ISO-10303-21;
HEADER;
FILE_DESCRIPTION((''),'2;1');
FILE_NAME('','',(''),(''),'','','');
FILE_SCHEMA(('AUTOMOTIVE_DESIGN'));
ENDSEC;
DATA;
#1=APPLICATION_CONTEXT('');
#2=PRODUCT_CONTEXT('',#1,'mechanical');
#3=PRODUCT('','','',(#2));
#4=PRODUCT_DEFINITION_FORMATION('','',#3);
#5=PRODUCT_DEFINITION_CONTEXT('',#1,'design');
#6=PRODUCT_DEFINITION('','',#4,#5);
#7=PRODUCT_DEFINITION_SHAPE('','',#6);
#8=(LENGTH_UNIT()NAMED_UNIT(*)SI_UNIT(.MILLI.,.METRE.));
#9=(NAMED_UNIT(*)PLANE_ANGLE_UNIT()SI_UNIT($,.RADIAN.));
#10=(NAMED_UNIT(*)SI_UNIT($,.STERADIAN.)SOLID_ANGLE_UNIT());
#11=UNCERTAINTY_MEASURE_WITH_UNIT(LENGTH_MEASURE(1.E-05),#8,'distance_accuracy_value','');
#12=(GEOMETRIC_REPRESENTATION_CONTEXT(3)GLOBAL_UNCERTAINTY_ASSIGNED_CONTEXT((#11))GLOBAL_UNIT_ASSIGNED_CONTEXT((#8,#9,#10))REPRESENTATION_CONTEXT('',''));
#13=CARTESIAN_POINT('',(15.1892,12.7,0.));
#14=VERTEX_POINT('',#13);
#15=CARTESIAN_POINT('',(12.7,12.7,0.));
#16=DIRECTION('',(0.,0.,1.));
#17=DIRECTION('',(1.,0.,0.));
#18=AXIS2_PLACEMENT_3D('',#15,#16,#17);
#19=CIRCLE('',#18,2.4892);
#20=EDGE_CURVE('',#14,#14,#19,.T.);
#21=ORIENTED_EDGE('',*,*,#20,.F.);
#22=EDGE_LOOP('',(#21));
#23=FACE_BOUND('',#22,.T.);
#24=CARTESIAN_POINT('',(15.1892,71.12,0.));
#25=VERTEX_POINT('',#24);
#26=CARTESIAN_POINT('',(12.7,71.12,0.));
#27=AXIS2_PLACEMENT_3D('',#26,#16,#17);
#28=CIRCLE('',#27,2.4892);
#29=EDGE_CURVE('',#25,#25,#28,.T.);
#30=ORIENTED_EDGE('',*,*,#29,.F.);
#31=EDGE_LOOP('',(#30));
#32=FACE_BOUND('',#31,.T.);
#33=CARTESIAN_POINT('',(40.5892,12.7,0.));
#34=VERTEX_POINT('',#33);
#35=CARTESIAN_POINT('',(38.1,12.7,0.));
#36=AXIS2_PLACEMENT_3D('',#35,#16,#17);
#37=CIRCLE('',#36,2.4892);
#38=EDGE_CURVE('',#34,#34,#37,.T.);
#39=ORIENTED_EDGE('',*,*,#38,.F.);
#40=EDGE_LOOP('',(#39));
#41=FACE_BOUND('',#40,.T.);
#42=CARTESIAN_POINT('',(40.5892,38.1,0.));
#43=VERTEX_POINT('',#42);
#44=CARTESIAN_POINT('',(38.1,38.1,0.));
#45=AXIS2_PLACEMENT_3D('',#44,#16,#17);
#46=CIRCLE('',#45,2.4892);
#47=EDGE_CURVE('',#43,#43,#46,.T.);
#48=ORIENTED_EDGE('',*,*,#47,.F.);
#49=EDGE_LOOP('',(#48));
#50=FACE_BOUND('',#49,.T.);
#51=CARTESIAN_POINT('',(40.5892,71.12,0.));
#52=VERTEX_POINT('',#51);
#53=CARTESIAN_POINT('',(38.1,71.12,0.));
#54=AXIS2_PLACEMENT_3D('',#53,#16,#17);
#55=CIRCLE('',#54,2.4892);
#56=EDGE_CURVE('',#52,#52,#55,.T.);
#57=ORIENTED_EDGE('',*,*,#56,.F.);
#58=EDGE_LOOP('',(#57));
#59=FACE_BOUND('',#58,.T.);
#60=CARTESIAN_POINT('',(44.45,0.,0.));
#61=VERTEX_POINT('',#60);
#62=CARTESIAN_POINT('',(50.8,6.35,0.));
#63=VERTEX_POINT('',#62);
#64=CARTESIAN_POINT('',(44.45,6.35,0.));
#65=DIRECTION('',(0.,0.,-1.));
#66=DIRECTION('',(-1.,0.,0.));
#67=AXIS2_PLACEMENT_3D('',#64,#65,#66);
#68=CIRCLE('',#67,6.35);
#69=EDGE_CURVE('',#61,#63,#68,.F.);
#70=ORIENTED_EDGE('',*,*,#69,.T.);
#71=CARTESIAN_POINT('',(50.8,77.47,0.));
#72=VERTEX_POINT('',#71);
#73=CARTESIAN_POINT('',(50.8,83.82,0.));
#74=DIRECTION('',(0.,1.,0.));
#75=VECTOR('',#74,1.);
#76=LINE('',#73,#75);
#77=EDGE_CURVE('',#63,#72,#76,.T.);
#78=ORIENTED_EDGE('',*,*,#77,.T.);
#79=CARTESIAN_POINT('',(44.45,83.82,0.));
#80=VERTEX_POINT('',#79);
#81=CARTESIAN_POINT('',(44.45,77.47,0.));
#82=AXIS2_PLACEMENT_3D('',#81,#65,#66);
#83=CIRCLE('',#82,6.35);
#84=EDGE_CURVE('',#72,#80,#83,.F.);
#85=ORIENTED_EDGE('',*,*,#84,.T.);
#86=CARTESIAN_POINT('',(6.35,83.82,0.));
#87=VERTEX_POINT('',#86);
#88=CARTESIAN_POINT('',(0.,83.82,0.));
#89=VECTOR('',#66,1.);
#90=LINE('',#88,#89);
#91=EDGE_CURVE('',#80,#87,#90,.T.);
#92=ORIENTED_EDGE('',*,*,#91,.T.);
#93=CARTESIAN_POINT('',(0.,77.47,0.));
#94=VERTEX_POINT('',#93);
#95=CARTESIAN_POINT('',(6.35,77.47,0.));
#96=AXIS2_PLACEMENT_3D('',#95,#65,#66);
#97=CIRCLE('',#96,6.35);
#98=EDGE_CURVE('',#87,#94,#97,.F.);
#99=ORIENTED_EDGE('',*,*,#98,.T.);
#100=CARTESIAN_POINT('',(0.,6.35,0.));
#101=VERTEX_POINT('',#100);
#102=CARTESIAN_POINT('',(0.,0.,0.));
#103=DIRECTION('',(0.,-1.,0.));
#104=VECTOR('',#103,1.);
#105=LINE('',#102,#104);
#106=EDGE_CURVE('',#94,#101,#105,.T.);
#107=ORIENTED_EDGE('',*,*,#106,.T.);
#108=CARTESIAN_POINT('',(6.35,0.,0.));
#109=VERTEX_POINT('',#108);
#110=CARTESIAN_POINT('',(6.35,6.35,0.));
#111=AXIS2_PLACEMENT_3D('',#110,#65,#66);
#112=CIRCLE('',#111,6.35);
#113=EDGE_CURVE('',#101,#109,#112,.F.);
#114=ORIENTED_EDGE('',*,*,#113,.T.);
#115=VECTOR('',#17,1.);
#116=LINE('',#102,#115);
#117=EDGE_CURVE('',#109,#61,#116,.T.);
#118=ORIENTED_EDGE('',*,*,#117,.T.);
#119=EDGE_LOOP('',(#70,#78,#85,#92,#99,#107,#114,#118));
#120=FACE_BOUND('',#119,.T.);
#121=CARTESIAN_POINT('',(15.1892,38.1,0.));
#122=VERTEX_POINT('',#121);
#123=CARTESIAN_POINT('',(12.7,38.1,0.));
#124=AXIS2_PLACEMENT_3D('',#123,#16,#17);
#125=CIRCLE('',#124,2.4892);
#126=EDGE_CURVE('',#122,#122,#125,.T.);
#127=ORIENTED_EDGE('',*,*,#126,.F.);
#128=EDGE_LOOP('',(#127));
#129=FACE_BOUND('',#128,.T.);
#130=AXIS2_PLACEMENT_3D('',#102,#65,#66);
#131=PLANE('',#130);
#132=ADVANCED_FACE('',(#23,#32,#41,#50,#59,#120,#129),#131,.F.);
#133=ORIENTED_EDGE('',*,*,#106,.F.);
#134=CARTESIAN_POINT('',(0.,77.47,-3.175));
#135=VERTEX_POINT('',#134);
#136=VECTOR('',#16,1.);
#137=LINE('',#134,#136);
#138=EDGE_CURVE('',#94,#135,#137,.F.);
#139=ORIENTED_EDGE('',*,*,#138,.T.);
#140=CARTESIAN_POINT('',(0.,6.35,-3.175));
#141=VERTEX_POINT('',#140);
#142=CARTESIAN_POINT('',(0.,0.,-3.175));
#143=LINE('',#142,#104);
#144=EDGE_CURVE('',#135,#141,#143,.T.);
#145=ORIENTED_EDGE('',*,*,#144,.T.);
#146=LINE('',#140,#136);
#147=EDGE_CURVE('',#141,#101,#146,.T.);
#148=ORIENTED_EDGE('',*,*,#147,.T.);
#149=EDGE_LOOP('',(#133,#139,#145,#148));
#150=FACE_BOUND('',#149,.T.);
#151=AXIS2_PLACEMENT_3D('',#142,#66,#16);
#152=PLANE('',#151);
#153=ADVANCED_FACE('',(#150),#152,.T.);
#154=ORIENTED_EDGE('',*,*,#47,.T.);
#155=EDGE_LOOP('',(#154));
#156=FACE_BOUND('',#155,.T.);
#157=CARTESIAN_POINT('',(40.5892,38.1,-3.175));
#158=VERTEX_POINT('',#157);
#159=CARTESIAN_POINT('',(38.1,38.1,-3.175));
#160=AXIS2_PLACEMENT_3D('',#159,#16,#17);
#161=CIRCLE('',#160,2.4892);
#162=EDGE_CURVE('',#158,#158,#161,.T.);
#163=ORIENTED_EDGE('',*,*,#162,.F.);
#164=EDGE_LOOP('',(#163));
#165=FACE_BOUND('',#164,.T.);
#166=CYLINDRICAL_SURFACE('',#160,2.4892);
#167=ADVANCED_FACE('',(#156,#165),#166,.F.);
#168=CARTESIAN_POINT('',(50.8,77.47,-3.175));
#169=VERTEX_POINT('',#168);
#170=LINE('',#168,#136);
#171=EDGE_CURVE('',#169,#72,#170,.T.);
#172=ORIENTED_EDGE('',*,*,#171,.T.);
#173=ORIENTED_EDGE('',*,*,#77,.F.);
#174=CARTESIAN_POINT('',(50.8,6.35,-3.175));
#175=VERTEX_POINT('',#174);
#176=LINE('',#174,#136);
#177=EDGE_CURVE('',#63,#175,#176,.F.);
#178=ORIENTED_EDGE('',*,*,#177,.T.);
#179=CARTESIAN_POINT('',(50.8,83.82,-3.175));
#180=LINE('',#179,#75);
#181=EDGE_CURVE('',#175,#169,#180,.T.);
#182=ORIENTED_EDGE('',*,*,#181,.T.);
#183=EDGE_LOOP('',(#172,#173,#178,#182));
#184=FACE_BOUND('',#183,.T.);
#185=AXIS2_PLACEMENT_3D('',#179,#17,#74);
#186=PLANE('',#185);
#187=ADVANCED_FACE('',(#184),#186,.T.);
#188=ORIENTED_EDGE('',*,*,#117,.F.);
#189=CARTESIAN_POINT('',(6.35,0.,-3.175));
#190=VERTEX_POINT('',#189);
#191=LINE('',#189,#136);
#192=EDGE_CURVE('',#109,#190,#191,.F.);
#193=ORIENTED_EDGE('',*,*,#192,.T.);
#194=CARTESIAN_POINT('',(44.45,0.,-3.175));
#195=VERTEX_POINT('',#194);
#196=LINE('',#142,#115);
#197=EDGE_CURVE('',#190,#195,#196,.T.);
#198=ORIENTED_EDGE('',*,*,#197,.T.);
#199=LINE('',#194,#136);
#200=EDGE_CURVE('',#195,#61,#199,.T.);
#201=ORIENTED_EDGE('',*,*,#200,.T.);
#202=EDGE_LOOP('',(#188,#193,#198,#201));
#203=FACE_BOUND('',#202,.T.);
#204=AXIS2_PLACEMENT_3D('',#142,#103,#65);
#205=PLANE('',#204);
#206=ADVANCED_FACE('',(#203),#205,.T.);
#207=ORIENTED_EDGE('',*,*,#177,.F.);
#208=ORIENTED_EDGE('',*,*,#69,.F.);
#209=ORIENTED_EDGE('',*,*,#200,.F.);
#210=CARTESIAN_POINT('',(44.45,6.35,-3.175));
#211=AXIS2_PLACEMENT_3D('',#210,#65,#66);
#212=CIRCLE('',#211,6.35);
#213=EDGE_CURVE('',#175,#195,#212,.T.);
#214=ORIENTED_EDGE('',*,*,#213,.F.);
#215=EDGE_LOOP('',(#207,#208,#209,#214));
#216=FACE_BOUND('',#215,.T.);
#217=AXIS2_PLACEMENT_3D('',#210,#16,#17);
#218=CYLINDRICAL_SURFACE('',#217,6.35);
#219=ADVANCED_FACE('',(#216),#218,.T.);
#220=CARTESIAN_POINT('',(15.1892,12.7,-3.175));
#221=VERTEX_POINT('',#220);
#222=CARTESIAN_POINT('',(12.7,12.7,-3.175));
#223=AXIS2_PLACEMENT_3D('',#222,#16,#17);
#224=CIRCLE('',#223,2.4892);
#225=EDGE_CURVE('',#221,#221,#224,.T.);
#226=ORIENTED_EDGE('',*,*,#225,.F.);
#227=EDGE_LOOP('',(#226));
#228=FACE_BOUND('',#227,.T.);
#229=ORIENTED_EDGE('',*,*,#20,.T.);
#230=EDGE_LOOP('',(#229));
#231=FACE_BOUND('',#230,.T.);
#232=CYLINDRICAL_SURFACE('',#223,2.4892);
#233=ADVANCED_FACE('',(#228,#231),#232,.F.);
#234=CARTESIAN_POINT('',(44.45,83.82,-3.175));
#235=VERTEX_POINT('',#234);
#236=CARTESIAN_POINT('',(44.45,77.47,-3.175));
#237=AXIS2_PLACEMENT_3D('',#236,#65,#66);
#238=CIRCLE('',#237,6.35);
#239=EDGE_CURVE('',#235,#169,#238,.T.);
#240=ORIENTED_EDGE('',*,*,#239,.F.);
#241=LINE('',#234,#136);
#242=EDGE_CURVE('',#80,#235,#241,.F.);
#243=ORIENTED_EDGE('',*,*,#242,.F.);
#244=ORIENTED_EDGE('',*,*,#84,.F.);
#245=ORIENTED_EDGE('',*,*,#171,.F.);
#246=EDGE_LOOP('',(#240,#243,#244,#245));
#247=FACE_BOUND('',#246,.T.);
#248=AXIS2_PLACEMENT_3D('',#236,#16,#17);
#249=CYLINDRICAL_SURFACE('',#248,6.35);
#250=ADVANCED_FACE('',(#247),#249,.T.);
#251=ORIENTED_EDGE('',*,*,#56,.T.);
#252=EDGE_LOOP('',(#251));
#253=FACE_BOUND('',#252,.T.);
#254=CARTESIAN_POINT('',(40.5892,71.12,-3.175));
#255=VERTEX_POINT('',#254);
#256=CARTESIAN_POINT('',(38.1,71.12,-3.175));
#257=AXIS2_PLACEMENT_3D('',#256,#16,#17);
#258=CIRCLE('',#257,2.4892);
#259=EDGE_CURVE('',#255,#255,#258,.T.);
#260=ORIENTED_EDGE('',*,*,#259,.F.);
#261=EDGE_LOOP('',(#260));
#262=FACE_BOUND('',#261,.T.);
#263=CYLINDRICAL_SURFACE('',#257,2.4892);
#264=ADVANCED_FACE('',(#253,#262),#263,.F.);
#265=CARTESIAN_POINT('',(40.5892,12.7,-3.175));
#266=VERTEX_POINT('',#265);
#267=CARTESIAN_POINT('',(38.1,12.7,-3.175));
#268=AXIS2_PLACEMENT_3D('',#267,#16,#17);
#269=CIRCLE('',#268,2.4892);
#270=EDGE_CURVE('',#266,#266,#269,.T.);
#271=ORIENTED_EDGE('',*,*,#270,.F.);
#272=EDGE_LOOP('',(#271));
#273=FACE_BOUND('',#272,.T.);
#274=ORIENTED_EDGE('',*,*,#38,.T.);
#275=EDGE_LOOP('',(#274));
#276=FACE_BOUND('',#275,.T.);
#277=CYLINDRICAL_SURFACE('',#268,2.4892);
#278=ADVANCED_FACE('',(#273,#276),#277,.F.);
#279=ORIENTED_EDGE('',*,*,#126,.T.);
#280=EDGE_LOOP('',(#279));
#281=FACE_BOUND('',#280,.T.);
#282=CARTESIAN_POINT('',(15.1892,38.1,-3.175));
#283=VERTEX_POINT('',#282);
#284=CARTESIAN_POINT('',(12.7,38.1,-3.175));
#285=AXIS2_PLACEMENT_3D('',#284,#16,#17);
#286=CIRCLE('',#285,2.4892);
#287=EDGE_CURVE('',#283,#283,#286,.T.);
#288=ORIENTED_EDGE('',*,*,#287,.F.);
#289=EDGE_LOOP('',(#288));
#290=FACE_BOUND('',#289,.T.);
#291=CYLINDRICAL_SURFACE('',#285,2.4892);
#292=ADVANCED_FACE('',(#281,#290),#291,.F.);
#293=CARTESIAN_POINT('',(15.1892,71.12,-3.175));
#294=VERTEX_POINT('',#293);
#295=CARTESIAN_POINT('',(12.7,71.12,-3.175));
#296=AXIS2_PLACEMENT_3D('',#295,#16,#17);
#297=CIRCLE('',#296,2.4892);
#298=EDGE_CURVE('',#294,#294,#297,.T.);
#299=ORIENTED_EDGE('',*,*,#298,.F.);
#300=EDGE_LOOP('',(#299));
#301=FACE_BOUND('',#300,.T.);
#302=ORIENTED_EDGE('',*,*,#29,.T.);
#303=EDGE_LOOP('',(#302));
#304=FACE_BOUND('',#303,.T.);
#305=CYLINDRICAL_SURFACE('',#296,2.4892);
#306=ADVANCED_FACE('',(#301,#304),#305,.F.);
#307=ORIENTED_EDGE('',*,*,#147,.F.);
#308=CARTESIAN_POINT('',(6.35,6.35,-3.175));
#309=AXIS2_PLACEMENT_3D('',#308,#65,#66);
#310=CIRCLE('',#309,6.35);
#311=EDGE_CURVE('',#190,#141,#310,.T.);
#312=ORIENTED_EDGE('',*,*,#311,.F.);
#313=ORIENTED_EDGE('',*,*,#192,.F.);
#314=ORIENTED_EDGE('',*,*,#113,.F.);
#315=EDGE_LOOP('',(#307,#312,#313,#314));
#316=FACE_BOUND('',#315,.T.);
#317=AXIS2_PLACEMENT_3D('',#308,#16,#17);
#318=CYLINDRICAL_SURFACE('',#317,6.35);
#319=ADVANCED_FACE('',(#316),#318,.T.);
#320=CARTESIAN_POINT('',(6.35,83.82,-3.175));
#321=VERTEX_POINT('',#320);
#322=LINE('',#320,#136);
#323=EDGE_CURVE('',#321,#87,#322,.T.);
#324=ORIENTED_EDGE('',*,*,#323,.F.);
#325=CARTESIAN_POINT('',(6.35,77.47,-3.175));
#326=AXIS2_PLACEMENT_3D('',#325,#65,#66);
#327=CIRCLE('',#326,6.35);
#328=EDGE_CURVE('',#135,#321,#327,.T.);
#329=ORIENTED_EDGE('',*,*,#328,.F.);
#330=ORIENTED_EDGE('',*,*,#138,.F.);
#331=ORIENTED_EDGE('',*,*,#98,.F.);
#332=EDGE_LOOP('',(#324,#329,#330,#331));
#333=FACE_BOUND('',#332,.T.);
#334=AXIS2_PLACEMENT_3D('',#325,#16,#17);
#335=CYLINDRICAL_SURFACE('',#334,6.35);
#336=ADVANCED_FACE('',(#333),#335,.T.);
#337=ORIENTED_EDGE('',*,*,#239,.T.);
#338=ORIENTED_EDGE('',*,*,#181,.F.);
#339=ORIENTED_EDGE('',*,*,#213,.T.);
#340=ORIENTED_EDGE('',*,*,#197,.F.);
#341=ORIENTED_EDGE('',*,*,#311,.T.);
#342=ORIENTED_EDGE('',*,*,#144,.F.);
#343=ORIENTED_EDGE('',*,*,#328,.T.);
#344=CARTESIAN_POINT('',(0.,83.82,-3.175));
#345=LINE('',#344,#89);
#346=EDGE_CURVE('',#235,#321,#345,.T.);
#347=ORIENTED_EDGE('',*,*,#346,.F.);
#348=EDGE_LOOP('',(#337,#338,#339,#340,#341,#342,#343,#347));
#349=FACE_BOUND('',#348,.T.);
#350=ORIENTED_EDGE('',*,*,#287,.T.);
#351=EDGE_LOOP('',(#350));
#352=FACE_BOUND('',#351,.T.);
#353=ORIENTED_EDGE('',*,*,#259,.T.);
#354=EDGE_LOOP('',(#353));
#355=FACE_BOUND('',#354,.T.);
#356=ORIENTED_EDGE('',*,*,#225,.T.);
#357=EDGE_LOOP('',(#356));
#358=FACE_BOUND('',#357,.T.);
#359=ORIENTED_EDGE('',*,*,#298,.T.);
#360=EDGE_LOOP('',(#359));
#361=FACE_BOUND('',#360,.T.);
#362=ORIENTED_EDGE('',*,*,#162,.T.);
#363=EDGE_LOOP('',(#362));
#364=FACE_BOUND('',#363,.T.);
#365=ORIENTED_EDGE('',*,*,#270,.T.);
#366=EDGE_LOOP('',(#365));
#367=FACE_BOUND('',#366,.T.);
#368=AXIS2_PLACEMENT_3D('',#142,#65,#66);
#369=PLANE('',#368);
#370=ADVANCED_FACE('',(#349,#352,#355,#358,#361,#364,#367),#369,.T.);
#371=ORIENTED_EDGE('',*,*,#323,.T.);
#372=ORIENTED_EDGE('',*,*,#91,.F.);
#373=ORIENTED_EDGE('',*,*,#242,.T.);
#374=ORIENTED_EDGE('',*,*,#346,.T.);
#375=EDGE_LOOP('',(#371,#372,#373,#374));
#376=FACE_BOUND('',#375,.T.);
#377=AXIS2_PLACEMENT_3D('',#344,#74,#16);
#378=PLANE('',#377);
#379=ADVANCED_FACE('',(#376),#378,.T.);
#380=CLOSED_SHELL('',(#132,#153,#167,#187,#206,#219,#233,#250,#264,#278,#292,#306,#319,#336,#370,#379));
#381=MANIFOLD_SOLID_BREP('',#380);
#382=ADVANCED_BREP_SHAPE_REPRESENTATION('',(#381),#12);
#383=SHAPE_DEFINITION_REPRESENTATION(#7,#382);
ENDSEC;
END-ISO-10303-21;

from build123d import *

# Parameters (mm, degrees)
SKETCH2_W           = 50.8
SKETCH2_H           = 83.82
BOSS_EXTRUDE1_DEPTH = 3.175
SKETCH3_R           = 2.4892
CUT_EXTRUDE1_DEPTH  = 99.063821183
FILLET1_R           = 6.35


with BuildPart() as part:
    # Sketch2 → Boss-Extrude1 (new body)
    with BuildSketch(Plane.XY):
        with Locations((25.4, 41.91)):
            Rectangle(SKETCH2_W, SKETCH2_H)
    extrude(amount=-BOSS_EXTRUDE1_DEPTH)

    # Sketch3 → Cut-Extrude1 (cut, through all)
    with BuildSketch(Plane.XY):
        with Locations((12.7, 71.12)):
            Circle(SKETCH3_R)
        with Locations((38.1, 71.12)):
            Circle(SKETCH3_R)
        with Locations((12.7, 38.1)):
            Circle(SKETCH3_R)
        with Locations((12.7, 12.7)):
            Circle(SKETCH3_R)
        with Locations((12.7, -12.7)):
            Circle(SKETCH3_R)
        with Locations((12.7, -38.1)):
            Circle(SKETCH3_R)
        with Locations((12.7, -63.5)):
            Circle(SKETCH3_R)
        with Locations((38.1, 12.7)):
            Circle(SKETCH3_R)
        with Locations((38.1, -12.7)):
            Circle(SKETCH3_R)
        with Locations((38.1, -38.1)):
            Circle(SKETCH3_R)
        with Locations((38.1, -63.5)):
            Circle(SKETCH3_R)
        with Locations((38.1, 38.1)):
            Circle(SKETCH3_R)
    extrude(amount=-CUT_EXTRUDE1_DEPTH, mode=Mode.SUBTRACT)

    # Fillet1
    fillet1_edges = [part.edges().sort_by_distance(p)[0] for p in [
        (0, 83.82, -1.5875),
        (50.8, 83.82, -1.5875),
        (50.8, 0, -1.5875),
        (0, 0, -1.5875),
    ]]
    fillet(fillet1_edges, radius=FILLET1_R)


solid = part.part
